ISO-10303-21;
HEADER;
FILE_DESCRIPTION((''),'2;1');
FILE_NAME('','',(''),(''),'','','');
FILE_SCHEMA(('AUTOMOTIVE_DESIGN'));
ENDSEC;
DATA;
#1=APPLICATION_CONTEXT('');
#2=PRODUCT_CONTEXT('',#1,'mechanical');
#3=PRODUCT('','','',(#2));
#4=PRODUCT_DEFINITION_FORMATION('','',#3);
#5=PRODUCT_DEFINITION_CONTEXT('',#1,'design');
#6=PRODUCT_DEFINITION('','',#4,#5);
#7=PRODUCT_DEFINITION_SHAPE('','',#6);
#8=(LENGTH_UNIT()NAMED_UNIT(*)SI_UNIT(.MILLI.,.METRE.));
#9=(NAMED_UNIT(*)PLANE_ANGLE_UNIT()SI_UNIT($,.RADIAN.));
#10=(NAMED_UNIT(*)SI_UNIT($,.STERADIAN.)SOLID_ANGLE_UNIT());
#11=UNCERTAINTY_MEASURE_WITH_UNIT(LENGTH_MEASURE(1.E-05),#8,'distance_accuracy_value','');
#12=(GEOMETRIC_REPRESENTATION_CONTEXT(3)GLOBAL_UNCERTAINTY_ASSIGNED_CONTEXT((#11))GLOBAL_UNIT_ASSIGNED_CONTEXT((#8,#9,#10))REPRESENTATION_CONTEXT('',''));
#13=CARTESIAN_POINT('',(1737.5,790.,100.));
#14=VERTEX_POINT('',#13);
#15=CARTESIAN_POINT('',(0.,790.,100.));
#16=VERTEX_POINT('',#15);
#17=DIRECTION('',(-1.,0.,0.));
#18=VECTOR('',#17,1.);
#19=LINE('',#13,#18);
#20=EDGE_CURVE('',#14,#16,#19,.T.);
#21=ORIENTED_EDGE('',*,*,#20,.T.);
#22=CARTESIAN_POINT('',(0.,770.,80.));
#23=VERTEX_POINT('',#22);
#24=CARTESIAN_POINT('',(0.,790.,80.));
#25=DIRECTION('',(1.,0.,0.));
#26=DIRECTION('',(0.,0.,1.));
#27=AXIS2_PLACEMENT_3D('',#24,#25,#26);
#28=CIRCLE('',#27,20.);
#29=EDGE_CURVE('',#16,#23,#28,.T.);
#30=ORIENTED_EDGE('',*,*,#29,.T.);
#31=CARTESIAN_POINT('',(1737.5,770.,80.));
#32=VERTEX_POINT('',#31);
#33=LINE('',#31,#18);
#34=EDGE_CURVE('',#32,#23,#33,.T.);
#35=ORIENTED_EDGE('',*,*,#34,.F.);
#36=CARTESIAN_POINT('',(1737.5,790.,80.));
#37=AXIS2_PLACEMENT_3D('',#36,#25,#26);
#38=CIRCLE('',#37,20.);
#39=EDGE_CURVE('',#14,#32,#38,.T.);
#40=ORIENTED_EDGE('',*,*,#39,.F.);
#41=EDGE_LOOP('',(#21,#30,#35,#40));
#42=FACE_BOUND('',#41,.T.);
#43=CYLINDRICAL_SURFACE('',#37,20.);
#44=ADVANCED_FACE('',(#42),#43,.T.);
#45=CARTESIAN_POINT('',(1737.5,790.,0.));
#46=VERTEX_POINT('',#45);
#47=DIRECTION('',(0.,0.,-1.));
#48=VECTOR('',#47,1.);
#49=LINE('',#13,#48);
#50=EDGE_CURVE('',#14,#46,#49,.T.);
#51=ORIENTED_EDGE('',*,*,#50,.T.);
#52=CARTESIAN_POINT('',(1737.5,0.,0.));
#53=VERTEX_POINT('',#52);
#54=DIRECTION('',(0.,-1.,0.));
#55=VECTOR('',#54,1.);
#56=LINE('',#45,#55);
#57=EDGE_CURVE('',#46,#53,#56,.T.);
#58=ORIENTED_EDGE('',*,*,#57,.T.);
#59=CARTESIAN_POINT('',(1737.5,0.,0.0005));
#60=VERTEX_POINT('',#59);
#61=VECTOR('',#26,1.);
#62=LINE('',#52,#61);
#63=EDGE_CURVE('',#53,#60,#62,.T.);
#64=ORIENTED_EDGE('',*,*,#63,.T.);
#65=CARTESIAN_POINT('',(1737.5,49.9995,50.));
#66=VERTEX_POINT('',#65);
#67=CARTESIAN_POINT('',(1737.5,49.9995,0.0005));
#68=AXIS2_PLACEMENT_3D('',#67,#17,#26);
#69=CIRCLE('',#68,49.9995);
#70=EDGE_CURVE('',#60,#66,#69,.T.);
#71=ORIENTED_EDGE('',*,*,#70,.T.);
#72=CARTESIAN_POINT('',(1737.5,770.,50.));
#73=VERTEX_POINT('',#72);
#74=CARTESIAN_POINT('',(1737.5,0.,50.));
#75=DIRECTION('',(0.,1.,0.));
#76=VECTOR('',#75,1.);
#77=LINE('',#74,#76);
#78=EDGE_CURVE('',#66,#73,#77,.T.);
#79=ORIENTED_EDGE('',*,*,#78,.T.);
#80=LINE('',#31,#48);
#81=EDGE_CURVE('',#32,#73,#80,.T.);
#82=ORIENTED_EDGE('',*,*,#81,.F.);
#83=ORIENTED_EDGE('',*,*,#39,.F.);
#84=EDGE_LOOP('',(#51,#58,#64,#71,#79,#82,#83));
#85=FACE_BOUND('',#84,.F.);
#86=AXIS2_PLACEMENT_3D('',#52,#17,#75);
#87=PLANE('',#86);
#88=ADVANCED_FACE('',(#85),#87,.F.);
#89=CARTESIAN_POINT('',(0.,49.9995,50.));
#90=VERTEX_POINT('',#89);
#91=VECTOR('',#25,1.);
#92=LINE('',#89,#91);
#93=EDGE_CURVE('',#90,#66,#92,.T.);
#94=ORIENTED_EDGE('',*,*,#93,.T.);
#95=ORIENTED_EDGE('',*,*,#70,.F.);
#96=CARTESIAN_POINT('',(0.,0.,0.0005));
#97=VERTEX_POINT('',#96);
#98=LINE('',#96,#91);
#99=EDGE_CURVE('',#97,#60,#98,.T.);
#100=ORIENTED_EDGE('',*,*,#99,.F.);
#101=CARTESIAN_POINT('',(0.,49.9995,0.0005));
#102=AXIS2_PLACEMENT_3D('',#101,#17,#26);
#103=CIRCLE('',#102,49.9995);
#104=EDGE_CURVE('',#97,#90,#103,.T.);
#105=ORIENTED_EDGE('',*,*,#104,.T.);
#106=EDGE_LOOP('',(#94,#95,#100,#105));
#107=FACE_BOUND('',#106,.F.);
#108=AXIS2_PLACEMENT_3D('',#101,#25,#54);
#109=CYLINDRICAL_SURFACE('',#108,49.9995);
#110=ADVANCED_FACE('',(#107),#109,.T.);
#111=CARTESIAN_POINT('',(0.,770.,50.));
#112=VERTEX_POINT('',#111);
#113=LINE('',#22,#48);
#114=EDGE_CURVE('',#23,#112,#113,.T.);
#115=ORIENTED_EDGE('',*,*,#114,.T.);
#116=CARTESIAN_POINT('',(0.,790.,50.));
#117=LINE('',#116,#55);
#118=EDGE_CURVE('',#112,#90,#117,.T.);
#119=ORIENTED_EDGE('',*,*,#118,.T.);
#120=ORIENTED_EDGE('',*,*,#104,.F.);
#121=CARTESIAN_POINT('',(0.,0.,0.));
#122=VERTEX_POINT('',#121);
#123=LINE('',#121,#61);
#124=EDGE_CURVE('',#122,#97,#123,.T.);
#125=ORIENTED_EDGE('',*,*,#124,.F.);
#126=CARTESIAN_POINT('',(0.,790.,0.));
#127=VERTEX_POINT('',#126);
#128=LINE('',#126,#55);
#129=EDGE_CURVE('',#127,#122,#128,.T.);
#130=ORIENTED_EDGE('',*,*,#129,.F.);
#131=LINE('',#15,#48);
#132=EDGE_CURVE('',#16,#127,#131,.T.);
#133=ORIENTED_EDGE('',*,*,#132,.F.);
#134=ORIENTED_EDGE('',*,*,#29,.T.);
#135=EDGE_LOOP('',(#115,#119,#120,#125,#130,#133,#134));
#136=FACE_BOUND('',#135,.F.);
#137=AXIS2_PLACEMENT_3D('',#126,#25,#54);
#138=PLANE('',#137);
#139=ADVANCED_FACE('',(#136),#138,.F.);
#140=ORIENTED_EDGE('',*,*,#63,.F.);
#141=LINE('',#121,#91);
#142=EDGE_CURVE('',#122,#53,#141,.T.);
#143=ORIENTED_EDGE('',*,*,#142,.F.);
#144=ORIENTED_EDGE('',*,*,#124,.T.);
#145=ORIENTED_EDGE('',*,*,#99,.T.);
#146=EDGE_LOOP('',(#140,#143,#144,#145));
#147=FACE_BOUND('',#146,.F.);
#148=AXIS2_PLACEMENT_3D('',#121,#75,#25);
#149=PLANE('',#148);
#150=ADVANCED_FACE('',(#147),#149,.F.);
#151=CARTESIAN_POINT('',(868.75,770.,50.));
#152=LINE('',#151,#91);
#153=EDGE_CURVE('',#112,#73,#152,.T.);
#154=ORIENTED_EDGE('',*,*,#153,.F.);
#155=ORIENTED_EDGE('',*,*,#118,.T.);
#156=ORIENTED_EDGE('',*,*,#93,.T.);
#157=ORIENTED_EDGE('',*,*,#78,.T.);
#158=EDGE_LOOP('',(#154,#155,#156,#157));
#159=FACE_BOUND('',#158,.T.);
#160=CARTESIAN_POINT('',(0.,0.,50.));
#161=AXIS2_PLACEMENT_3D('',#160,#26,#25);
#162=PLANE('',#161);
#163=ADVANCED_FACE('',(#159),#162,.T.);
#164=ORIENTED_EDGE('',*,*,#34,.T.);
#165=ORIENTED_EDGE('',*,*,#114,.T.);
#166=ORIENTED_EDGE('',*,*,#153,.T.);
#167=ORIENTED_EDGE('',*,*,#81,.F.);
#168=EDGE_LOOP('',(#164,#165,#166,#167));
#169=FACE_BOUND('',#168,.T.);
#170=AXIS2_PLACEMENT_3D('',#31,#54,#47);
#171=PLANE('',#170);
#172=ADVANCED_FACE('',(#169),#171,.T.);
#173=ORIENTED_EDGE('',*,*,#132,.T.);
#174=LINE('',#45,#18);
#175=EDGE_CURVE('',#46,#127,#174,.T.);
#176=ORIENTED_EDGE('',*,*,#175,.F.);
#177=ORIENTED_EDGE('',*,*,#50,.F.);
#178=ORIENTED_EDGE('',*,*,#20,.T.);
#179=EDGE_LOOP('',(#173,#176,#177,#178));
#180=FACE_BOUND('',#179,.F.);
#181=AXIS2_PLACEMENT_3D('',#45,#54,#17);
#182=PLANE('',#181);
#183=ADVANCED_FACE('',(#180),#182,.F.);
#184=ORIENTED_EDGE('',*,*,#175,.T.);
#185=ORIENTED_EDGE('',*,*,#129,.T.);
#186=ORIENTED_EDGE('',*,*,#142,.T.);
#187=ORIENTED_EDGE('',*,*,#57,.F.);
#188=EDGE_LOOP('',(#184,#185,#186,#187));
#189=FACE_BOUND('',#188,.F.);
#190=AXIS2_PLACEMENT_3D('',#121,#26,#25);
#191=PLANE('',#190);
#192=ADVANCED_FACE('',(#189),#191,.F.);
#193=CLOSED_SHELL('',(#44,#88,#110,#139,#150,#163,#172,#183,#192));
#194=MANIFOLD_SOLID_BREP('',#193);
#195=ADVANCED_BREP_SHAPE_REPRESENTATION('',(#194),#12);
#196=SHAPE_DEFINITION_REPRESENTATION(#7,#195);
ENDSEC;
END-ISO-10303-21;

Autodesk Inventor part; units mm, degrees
ref_plane "YZ Plane" through (0, 0, 0) normal (1, 0, 0) x (0, 1, 0)
ref_plane "XZ Plane" through (0, 0, 0) normal (0, 1, 0) x (-1, 0, 0)
ref_plane "XY Plane" through (0, 0, 0) normal (0, 0, 1) x (1, 0, 0)
sketch "Sketch1" plane through (0, 0, 0) normal (0, 0, 1) x (1, 0, 0)
  line L0 (0, 0) -> (1737.5, 0)
  line L1 (1737.5, 0) -> (1737.5, 790)
  line L2 (1737.5, 790) -> (0, 790)
  line L3 (0, 790) -> (0, 0)
  dimension "ancho" = 1737.5
  dimension "d1" = 790
extrude "Extrusion1" add sketch "Sketch1" along normal blind 50
fillet "Fillet1" radius 50 1 edges at (868.75, 0, 50)
sketch "Sketch2" plane through (1737.5, 790, 50) normal (1, 0, 0) x (0, 0, -1)
  line L0 (50, 0) -> (-50, 0)
  line L1 (-50, 0) -> (-50, 0)
  line L2 (-30, -20) -> (50, -20)
  line L3 (50, -20) -> (50, 0)
  arc A0 (-50, 0) -> (-30, -20) centre (-30, 0) ccw
  point P0 (50, -790)
  point P1 (-50, -20)
  dimension "d5" = 100
  dimension "d6" = 20
  dimension "d7" = 20
extrude "Extrusion2" add sketch "Sketch2" against normal up to surface (1737.5 mm away)
properties part number "meson"
